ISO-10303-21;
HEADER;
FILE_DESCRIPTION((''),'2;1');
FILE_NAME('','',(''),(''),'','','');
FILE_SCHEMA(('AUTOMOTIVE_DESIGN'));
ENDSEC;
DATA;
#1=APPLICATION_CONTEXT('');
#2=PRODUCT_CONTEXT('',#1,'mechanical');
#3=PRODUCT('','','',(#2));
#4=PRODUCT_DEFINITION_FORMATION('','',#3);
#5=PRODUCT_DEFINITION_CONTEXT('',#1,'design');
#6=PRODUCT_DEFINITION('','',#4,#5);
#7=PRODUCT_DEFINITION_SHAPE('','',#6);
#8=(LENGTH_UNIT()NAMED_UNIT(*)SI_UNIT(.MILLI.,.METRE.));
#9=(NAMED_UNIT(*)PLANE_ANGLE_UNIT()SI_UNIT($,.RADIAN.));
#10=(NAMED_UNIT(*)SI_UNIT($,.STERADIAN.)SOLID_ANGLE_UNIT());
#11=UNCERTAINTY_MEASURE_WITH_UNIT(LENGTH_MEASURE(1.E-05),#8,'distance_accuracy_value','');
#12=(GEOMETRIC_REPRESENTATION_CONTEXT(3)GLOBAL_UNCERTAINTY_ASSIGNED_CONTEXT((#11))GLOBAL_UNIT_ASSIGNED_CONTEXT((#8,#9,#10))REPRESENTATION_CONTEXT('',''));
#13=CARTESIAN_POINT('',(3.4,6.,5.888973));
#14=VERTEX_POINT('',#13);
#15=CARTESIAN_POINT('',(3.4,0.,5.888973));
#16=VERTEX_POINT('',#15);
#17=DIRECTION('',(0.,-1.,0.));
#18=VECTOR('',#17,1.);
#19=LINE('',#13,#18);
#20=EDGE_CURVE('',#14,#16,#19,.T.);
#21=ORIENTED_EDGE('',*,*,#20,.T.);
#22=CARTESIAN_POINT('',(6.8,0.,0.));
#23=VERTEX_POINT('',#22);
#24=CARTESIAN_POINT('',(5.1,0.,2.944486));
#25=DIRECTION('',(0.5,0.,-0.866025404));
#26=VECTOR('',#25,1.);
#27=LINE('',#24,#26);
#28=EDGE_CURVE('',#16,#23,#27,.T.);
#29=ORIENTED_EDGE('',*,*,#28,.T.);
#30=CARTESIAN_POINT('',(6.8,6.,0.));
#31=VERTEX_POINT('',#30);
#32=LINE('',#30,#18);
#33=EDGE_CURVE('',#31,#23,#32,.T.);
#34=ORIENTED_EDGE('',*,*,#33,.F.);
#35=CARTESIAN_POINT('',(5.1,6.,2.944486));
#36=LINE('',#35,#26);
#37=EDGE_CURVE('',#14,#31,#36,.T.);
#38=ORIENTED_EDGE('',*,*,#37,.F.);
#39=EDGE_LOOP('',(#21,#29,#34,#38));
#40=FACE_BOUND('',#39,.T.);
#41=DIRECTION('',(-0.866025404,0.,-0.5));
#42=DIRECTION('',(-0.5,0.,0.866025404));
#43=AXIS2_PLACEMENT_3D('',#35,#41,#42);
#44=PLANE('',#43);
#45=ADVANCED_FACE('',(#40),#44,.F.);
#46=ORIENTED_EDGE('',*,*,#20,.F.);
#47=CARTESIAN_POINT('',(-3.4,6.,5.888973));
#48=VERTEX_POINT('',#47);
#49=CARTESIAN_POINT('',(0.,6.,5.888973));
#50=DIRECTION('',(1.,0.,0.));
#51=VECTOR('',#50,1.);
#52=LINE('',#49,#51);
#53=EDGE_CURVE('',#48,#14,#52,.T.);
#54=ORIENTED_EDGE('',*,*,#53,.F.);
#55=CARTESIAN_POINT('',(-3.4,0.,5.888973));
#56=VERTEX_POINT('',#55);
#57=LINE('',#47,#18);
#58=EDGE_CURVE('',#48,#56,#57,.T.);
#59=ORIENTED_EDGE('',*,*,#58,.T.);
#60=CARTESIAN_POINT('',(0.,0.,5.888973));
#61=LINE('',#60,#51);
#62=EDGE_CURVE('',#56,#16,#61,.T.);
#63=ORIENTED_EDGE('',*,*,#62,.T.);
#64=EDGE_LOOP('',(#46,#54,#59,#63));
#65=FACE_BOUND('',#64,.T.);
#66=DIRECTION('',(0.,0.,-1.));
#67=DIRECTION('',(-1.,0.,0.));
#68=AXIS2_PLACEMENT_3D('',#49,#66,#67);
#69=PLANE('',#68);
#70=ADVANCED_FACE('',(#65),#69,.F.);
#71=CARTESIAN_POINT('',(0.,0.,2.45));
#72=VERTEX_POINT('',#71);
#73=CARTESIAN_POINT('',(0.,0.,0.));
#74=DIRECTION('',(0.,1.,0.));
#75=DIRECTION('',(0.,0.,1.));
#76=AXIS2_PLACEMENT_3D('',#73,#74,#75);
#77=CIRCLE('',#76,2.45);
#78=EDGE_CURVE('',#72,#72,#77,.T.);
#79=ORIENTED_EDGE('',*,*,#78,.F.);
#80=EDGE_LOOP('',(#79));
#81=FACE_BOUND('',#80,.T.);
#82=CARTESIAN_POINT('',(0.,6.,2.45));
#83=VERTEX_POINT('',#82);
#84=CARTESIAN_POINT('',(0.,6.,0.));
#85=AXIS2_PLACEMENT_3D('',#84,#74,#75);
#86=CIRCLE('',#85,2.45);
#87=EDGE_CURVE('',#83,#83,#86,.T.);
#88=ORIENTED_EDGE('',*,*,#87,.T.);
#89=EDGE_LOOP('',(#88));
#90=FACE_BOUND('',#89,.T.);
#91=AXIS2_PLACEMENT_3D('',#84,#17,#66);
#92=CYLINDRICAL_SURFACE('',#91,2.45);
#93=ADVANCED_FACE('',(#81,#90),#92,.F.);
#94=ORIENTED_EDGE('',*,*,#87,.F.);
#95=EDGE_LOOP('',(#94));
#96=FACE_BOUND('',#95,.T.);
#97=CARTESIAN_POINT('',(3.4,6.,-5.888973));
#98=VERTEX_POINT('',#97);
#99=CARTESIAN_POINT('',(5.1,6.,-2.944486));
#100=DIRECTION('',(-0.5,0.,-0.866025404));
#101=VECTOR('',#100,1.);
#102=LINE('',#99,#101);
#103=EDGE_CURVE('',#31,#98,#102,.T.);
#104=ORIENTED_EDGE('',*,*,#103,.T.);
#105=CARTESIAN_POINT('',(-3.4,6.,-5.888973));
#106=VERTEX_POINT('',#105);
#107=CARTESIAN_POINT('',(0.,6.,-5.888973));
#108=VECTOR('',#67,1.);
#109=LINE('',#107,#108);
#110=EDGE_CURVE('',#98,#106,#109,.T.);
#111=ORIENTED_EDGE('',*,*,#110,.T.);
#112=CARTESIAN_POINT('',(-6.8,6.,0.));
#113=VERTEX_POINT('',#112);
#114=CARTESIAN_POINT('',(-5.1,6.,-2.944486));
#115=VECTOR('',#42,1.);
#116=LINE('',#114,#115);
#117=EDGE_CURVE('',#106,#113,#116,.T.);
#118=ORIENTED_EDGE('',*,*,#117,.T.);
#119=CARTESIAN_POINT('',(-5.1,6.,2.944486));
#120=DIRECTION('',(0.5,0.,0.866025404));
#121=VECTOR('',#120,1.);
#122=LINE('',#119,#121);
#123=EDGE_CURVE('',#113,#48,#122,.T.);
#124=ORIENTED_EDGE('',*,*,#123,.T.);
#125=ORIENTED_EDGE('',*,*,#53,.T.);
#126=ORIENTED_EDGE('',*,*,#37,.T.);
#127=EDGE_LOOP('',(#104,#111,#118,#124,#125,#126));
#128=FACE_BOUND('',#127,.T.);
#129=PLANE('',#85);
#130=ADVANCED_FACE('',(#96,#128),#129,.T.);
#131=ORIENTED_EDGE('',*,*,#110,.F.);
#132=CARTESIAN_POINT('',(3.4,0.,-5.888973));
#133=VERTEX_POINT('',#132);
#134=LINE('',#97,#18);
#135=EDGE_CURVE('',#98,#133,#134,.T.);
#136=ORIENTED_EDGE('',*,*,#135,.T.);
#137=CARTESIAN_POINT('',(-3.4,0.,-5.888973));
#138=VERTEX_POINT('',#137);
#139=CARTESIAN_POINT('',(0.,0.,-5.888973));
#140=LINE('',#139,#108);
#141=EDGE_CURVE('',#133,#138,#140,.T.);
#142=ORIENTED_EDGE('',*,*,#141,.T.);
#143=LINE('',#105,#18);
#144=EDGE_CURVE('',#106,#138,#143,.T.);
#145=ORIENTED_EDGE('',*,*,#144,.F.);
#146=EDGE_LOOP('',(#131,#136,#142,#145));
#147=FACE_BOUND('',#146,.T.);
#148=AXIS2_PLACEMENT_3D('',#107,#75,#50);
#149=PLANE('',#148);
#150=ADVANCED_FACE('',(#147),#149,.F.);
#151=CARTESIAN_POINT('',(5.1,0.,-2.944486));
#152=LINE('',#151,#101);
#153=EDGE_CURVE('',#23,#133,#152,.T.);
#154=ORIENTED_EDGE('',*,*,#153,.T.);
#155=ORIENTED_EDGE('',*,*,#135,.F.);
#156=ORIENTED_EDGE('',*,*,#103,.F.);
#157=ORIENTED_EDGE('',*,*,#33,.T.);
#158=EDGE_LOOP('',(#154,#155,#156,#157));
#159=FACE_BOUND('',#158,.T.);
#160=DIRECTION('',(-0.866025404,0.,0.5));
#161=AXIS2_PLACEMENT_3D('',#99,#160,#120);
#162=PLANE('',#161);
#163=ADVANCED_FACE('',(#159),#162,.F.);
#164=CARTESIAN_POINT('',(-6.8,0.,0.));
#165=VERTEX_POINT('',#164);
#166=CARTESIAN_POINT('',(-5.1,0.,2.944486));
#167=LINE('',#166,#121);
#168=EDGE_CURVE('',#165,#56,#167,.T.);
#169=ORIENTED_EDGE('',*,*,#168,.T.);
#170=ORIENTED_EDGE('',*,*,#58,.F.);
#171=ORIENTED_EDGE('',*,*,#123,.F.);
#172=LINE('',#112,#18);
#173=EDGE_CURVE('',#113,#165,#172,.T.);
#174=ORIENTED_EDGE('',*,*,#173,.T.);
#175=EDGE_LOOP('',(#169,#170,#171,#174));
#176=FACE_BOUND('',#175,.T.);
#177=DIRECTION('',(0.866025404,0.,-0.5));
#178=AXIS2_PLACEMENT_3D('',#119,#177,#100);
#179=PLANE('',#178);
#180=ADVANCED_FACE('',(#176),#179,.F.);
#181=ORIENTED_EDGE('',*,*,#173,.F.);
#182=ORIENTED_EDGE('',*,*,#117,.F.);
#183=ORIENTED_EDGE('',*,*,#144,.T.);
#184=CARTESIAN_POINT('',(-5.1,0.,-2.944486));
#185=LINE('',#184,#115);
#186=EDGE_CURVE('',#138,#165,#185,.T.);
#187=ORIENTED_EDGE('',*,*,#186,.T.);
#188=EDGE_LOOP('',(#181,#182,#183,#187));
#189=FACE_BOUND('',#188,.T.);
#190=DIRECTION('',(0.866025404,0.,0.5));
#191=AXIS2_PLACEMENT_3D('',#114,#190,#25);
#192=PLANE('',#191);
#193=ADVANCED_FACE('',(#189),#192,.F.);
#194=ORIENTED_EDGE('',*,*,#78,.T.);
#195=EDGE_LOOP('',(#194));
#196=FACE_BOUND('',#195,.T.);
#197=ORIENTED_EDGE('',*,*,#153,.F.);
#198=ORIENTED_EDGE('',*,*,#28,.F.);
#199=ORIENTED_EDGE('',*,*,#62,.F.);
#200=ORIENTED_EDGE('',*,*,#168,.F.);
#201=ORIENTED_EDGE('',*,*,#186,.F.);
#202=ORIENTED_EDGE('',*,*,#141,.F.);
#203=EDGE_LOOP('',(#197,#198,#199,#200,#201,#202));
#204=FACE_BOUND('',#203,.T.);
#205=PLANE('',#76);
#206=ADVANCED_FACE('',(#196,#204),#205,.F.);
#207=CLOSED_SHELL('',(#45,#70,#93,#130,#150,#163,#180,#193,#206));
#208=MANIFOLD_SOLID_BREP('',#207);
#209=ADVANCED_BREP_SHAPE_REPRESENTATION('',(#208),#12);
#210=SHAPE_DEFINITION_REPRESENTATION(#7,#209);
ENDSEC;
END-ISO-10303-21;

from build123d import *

# Parameters (mm, degrees)
SKETCH1_R           = 2.45
BOSS_EXTRUDE1_DEPTH = 6


with BuildPart() as part:
    # Sketch1 → Boss-Extrude1 (new body)
    with BuildSketch(Plane(origin=(0, 0, 0), x_dir=(1, 0, 0), z_dir=(0, 1, 0))):
        Polygon((-3.4, -5.888972746), (3.4, -5.888972746), (6.8, 0), (3.4, 5.888972746), (-3.4, 5.888972746), (-6.8, 0), align=None)
        with Locations(Location((0, 0, 0), (0, 0, 270))):
            Circle(SKETCH1_R, mode=Mode.SUBTRACT)
    extrude(amount=BOSS_EXTRUDE1_DEPTH)


solid = part.part
